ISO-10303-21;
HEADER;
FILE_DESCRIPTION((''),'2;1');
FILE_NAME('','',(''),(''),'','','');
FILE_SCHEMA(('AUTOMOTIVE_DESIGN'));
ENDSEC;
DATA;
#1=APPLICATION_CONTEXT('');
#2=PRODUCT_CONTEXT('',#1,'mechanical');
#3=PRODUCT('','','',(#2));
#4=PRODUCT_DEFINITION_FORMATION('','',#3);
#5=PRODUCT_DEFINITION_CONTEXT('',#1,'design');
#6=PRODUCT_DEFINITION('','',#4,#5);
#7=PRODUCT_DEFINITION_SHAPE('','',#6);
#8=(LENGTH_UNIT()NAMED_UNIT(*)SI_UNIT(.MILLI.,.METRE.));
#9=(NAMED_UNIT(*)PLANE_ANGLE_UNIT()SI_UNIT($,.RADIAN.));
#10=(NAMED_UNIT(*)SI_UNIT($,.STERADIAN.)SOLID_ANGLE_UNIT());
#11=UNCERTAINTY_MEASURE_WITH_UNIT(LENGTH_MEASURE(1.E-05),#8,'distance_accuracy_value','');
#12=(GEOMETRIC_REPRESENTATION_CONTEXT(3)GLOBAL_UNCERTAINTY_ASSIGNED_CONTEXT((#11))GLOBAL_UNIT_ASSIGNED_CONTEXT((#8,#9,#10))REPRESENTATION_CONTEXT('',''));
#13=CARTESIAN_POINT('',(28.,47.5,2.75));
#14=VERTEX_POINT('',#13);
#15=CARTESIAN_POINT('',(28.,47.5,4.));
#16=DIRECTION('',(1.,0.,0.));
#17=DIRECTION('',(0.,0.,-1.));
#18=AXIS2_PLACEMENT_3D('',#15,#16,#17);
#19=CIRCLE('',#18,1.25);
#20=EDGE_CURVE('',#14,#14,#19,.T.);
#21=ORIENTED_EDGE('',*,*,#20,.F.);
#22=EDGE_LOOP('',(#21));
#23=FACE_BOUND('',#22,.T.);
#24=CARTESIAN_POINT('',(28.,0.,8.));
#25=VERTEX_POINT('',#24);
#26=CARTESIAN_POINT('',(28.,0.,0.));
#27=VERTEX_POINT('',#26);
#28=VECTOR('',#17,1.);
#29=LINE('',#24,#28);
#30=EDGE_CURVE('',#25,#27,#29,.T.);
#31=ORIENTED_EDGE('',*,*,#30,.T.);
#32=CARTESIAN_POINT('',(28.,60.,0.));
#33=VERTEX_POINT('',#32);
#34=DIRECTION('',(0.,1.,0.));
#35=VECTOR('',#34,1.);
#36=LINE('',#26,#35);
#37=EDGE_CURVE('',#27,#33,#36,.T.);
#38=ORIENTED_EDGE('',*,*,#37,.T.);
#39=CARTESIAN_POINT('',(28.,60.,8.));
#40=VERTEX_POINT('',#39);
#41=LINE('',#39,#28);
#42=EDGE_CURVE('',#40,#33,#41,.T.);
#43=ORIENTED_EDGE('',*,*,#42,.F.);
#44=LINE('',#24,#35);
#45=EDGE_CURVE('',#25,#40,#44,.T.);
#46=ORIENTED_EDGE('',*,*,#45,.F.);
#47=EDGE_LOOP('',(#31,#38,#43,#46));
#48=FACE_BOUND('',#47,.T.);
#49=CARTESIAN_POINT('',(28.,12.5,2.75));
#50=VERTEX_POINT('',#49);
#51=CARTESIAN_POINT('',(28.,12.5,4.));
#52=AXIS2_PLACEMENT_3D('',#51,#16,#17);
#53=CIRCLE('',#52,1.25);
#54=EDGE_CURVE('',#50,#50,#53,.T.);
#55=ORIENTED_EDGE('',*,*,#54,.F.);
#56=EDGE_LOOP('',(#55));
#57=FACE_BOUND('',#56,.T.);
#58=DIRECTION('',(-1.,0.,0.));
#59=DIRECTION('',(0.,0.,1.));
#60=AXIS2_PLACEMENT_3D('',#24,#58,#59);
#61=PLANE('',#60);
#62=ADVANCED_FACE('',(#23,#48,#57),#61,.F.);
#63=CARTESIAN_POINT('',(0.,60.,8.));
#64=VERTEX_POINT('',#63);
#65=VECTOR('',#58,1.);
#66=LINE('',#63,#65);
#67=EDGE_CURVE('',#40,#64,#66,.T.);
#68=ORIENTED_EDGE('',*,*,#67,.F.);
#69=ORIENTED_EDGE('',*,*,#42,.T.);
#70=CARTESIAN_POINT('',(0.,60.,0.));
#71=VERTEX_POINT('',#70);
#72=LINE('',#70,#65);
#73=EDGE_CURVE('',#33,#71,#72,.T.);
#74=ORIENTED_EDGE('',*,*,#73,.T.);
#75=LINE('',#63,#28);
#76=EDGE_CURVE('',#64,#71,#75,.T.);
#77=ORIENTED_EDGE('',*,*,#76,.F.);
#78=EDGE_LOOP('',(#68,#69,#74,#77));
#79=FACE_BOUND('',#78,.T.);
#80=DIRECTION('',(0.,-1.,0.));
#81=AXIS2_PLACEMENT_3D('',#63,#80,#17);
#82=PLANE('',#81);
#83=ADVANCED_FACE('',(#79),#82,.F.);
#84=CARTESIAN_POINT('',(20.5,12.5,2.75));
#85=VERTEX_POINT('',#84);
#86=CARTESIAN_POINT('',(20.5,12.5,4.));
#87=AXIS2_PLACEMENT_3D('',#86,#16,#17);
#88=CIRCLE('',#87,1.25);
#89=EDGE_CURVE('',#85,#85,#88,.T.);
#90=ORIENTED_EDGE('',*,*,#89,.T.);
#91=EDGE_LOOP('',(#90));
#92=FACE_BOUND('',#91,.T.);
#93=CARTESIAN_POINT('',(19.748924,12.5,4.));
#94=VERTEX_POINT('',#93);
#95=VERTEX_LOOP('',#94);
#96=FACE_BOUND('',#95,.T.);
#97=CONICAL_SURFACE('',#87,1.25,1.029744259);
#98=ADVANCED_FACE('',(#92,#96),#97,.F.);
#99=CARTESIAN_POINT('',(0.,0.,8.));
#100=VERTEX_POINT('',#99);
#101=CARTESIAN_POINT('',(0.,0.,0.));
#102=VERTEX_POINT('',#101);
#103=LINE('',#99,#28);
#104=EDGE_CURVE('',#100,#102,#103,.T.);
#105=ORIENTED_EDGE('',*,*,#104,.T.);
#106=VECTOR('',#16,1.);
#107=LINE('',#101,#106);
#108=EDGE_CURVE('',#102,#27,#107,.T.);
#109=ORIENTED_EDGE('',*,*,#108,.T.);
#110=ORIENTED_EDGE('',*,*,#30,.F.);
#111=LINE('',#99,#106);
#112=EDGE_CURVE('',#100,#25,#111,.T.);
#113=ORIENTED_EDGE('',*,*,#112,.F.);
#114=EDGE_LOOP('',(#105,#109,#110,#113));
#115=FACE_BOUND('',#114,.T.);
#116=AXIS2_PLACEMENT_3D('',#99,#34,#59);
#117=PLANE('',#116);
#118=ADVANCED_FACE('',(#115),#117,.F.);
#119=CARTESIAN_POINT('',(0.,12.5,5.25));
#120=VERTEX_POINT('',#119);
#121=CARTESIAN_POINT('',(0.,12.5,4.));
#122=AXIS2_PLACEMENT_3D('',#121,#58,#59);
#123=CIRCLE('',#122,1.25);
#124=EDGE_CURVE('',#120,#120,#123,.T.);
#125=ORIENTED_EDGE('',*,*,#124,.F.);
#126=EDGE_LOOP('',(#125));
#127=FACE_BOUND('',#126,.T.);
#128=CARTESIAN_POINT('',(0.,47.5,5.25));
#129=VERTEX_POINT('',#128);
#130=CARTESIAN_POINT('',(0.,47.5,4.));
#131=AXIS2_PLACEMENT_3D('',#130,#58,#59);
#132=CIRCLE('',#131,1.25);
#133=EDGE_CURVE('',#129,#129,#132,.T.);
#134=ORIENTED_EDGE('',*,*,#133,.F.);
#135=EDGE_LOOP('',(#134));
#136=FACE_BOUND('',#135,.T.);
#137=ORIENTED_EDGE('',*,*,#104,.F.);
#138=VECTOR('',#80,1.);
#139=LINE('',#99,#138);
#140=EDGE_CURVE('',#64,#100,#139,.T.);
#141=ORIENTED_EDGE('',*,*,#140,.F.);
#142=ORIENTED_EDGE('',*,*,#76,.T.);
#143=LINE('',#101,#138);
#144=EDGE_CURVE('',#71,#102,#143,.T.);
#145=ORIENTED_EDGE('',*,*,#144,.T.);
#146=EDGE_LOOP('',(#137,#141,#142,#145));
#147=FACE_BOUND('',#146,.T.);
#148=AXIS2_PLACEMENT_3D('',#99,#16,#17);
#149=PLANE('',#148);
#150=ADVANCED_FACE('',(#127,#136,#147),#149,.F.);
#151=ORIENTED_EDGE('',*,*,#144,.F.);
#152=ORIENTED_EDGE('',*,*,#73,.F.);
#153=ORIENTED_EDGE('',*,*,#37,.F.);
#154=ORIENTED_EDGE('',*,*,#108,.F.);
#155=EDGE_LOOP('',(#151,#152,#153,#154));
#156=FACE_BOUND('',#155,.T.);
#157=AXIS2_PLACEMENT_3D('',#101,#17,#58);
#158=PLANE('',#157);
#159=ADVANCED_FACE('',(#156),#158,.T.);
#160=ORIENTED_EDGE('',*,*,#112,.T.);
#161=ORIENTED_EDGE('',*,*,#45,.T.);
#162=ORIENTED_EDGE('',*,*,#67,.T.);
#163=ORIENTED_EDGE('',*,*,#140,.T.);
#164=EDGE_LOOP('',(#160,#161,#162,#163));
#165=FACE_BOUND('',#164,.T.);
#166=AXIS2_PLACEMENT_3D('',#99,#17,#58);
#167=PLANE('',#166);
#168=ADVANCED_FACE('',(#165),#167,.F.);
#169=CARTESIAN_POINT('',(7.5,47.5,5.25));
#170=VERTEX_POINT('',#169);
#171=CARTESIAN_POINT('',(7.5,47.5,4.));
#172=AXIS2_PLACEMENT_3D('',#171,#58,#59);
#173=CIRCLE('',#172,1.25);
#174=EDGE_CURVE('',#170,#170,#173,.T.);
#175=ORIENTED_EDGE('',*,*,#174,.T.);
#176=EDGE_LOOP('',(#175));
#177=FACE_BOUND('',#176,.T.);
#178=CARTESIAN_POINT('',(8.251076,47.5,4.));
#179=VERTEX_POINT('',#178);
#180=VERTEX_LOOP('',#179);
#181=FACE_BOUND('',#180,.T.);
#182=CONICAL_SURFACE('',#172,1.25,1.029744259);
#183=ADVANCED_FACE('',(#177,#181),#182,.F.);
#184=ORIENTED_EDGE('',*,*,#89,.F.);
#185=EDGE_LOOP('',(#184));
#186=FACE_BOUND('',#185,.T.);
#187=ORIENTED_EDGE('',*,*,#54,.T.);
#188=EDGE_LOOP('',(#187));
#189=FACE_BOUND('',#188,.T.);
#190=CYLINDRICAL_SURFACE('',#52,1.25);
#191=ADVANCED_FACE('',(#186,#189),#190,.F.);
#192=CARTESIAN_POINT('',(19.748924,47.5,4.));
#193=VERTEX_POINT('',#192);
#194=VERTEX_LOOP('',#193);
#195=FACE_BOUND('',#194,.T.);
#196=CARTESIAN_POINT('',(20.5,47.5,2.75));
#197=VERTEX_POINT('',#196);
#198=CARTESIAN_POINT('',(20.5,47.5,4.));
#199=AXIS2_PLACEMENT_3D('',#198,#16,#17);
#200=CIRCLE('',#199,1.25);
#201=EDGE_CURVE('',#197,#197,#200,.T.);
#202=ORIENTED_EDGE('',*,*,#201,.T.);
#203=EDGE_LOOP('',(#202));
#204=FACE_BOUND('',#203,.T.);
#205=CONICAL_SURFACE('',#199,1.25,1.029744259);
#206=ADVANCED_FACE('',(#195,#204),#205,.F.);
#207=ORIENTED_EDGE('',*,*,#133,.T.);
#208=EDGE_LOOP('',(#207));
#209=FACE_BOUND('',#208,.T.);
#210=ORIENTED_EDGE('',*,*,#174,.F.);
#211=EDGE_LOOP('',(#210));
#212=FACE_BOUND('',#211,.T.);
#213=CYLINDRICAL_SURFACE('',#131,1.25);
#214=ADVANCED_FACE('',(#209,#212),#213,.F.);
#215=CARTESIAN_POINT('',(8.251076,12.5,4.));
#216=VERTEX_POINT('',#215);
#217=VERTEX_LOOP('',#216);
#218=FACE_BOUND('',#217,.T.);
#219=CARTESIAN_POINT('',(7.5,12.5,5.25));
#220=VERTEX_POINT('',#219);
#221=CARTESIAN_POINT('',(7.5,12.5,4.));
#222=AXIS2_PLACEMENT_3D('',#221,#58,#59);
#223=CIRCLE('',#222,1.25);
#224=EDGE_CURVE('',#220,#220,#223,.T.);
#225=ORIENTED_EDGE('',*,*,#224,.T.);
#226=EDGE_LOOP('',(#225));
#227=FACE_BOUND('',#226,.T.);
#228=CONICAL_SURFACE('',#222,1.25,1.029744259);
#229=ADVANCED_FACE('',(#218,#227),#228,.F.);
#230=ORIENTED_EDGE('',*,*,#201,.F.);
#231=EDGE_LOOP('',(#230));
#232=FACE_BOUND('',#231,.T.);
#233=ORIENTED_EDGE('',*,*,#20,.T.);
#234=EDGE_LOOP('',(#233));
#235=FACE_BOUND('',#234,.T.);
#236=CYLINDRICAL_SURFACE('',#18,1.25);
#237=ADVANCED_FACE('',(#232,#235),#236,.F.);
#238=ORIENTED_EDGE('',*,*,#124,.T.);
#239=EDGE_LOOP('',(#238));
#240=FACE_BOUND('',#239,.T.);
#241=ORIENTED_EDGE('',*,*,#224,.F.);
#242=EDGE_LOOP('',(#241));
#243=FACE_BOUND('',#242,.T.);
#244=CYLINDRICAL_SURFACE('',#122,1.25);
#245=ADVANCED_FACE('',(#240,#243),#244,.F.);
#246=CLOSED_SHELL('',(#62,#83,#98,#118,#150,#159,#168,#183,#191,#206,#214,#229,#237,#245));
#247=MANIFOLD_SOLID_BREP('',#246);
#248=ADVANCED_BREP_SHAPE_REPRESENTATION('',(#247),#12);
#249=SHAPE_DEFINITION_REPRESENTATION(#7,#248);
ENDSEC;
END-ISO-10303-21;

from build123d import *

# Parameters (mm, degrees)
SKETCH_1_W      = 28
SKETCH_1_H      = 60
EXTRUDE_1_DEPTH = 8
M3X0_5_1_D      = 2.5
M3X0_5_1_DEPTH  = 7.5
M3X0_5_1_TIP    = 0.751075774
M3X0_5_2_D      = 2.5
M3X0_5_2_DEPTH  = 7.5
M3X0_5_2_TIP    = 0.751075774


with BuildPart() as part:
    # ｽｹｯﾁ1 → ﾎﾞｽ - 押し出し1 (new body)
    with BuildSketch(Plane.XY):
        with Locations((14, 30)):
            Rectangle(SKETCH_1_W, SKETCH_1_H)
    extrude(amount=EXTRUDE_1_DEPTH)

    # M3x0.5 ねじ穴1
    with Locations(Plane(origin=(0, 47.5, 4), x_dir=(0, 0, -1), z_dir=(-1, 0, 0))):
        with Locations((0, 0), (0, 35)):
            Hole(M3X0_5_1_D / 2, depth=M3X0_5_1_DEPTH)
            with Locations((0, 0, -(M3X0_5_1_DEPTH + M3X0_5_1_TIP / 2))):  # 118° drill point
                Cone(0, M3X0_5_1_D / 2, M3X0_5_1_TIP, mode=Mode.SUBTRACT)

    # M3x0.5 ねじ穴2
    with Locations(Plane(origin=(28, 47.5, 4), x_dir=(0, 0, 1), z_dir=(1, 0, 0))):
        with Locations((0, 0), (0, 35)):
            Hole(M3X0_5_2_D / 2, depth=M3X0_5_2_DEPTH)
            with Locations((0, 0, -(M3X0_5_2_DEPTH + M3X0_5_2_TIP / 2))):  # 118° drill point
                Cone(0, M3X0_5_2_D / 2, M3X0_5_2_TIP, mode=Mode.SUBTRACT)


solid = part.part
